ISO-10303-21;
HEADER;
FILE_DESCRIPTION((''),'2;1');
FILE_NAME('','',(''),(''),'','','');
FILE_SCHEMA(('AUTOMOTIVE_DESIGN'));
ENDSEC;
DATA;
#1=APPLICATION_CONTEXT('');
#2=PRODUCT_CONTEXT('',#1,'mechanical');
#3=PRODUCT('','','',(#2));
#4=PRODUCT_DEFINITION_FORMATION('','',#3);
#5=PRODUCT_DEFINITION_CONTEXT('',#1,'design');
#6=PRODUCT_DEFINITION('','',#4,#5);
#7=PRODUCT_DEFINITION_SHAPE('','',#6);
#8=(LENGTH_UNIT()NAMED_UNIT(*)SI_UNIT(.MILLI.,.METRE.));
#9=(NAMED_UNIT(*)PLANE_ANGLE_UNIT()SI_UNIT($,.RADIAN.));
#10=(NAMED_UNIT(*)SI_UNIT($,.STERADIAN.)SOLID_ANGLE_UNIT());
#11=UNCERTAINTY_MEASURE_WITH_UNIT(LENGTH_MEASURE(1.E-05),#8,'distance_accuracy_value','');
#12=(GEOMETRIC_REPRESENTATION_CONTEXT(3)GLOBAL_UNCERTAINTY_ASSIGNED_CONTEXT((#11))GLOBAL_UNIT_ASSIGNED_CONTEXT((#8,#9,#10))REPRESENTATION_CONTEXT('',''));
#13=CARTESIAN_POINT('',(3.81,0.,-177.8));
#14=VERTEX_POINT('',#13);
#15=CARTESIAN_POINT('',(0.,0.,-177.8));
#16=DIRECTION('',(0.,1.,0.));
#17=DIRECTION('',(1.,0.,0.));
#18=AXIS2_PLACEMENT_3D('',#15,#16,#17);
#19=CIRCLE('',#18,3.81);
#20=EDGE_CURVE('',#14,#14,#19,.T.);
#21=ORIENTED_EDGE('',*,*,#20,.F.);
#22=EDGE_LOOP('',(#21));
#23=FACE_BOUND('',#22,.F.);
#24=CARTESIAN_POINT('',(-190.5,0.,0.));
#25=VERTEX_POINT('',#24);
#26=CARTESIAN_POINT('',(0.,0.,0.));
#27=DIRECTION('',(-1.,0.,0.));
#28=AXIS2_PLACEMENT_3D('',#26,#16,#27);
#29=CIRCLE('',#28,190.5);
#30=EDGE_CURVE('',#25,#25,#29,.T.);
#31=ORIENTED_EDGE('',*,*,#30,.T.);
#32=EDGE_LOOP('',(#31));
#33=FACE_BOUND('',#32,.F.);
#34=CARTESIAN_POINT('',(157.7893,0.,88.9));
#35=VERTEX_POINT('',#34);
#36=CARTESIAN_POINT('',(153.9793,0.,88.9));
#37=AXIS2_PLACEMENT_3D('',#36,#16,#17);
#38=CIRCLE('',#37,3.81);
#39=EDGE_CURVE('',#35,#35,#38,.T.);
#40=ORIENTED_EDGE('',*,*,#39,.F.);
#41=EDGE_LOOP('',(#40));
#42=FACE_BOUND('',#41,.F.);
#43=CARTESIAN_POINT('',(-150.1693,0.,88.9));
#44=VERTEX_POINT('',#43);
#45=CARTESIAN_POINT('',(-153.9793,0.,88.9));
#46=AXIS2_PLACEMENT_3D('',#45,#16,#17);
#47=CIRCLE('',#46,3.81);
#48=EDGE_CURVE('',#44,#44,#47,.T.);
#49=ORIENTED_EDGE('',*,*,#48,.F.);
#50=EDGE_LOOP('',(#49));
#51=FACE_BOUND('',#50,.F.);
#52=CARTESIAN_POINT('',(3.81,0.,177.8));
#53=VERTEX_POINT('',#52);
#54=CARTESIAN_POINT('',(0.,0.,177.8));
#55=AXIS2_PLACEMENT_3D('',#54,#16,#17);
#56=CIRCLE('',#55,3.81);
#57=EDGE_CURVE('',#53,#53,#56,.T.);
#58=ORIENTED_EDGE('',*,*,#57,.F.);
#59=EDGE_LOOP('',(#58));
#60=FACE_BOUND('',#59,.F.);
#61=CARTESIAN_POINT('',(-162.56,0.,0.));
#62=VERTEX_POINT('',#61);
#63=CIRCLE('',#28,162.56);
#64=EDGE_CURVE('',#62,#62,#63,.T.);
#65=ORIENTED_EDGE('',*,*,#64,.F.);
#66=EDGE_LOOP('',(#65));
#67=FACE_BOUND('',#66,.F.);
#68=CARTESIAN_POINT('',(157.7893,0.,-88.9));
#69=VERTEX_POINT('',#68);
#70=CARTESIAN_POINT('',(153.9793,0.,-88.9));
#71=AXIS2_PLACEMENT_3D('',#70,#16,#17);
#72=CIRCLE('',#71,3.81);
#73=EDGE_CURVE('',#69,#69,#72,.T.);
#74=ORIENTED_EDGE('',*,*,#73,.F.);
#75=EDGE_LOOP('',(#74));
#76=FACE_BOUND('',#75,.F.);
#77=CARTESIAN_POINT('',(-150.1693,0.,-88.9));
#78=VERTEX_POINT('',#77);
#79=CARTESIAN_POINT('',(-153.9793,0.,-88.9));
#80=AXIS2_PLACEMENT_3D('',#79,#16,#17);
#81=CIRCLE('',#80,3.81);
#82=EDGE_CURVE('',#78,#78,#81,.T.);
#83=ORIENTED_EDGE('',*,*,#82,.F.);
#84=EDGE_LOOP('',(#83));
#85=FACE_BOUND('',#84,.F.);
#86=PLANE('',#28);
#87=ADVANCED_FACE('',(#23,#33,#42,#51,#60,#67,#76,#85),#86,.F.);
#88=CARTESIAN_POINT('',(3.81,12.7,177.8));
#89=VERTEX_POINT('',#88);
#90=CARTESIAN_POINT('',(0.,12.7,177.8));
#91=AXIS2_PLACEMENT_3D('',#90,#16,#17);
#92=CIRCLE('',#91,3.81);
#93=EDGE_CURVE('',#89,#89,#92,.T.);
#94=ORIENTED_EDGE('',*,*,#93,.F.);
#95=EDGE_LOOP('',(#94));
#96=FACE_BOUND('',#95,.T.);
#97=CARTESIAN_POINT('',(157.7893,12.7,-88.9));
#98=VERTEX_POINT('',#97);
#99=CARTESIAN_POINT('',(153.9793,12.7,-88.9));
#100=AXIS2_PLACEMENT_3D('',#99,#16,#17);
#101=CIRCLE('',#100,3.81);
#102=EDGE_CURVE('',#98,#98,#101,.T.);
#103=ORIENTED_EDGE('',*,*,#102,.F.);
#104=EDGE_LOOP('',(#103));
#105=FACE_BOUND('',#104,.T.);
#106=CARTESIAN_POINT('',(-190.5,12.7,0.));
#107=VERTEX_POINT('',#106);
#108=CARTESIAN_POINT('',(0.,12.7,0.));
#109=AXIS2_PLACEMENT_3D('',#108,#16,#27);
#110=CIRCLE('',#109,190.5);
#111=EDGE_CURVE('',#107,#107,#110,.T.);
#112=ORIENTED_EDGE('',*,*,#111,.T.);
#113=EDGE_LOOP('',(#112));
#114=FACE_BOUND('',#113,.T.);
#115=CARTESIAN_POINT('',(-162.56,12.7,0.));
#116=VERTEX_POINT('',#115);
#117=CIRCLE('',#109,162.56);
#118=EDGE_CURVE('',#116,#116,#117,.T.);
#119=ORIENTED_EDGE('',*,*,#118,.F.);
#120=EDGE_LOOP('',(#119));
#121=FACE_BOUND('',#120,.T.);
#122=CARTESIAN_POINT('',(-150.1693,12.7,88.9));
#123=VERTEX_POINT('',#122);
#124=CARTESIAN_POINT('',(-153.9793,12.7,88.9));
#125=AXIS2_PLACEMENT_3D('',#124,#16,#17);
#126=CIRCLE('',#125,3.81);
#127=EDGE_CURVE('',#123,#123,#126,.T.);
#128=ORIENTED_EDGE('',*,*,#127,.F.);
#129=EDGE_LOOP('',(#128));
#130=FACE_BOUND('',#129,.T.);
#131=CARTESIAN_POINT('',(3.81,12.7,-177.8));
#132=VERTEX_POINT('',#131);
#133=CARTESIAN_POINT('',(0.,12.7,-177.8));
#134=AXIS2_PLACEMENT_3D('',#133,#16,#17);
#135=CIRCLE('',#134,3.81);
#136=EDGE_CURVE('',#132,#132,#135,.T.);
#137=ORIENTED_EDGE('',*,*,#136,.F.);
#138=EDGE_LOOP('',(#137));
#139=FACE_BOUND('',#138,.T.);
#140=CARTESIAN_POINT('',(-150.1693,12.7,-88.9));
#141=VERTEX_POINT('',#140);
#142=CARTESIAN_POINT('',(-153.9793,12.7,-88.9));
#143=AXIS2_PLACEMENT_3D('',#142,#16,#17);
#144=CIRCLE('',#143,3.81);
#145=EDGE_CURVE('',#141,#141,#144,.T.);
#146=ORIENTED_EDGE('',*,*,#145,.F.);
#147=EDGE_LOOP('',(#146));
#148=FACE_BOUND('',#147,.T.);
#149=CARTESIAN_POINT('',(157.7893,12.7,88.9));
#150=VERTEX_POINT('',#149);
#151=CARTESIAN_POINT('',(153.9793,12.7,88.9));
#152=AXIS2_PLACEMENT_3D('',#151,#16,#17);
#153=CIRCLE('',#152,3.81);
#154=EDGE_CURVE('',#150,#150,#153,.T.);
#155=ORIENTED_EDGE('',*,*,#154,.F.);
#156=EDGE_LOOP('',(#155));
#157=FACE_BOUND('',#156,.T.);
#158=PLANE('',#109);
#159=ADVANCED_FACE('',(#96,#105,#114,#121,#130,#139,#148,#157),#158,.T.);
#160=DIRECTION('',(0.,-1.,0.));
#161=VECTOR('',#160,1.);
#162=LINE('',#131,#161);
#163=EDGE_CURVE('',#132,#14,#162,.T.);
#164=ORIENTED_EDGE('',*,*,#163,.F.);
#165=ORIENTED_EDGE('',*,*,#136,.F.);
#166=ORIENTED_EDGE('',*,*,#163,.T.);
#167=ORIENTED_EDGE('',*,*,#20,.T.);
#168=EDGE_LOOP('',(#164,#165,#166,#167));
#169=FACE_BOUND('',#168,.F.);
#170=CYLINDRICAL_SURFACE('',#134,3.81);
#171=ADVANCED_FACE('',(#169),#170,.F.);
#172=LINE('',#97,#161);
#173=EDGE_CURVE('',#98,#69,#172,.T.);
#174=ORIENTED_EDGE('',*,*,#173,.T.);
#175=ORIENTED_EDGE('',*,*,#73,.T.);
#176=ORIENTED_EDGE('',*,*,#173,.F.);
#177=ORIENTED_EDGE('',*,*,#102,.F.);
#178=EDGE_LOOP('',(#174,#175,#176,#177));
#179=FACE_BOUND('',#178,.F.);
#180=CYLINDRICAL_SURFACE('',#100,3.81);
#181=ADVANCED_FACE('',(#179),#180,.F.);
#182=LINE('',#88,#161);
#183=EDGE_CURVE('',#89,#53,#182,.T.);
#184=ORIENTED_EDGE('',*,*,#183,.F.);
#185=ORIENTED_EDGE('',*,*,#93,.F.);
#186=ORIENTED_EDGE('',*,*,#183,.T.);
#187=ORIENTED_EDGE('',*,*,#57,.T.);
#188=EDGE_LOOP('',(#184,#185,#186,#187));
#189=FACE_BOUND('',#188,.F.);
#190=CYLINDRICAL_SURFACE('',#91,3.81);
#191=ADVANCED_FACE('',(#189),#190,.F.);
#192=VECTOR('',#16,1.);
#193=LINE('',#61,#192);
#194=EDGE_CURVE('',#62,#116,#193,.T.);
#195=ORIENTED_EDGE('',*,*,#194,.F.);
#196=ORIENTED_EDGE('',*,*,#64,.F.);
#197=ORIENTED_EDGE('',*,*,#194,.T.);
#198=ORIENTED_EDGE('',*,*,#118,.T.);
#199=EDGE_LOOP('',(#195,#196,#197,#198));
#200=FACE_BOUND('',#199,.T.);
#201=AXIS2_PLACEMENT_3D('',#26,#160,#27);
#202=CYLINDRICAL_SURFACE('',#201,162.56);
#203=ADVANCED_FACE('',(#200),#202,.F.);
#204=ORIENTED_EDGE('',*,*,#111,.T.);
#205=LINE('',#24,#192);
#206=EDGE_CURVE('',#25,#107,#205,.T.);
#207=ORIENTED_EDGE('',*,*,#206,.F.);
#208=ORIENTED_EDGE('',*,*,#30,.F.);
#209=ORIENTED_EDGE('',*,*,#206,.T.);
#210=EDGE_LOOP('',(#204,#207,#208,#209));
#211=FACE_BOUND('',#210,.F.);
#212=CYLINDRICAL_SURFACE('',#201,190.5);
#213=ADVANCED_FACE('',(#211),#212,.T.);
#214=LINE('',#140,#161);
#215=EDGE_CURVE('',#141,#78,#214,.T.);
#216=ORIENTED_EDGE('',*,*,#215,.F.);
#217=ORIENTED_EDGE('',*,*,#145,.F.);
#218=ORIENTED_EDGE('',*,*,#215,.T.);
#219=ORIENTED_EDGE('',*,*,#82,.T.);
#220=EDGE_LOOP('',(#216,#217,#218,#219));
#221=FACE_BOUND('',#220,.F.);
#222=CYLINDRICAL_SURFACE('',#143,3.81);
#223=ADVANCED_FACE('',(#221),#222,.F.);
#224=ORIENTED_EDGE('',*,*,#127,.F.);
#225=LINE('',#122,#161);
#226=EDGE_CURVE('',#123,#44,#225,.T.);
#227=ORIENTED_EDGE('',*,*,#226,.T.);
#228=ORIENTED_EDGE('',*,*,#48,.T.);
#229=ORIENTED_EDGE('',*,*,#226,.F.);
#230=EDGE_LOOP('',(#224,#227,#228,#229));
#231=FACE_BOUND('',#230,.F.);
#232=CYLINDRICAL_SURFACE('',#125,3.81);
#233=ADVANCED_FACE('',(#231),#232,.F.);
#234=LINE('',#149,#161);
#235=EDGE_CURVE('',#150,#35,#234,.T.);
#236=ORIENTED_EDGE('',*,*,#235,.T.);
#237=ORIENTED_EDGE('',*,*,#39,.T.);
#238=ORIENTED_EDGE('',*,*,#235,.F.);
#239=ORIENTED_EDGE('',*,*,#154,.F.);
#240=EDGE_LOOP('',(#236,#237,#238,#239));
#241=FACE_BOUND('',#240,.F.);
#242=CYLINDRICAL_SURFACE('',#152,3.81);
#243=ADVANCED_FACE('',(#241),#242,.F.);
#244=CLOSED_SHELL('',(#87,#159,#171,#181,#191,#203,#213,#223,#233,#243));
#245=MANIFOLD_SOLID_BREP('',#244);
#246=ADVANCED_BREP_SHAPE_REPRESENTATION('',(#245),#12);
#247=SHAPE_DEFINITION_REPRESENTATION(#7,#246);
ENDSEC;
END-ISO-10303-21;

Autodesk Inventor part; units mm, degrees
ref_plane "YZ Plane" through (0, 0, 0) normal (1, 0, 0) x (0, 1, 0)
ref_plane "XZ Plane" through (0, 0, 0) normal (0, 1, 0) x (-1, 0, 0)
ref_plane "XY Plane" through (0, 0, 0) normal (0, 0, 1) x (1, 0, 0)
sketch "Sketch1" plane through (0, 0, 0) normal (0, 1, 0) x (-1, 0, 0)
  circle A0 centre (0, 0) radius 162.56
  circle A1 centre (0, 0) radius 190.5
  dimension "d0" = 325.12
  dimension "d1" = 381
extrude "Extrusion1" add sketch "Sketch1" along normal blind 12.7
sketch "Sketch2" plane through (0, 12.7, 0) normal (0, 1, 0) x (1, 0, 0)
  line L0 (0, 0) -> (0, -177.8) construction
  line L1 (0, 0) -> (177.8, 0) construction
  circle A0 centre (0, -177.8) radius 3.81
  circle A1 centre (153.9793, -88.9) radius 3.81
  circle A2 centre (153.9793, 88.9) radius 3.81
  circle A3 centre (0, 177.8) radius 3.81
  circle A4 centre (-153.9793, 88.9) radius 3.81
  circle A5 centre (-153.9793, -88.9) radius 3.81
  dimension "d6" = 177.8
  dimension "d7" = 90
  dimension "d8" = 7.62
  dimension "d9" = 360
extrude "Extrusion2" cut sketch "Sketch2" against normal through all
properties part number "Turntable Sheath" material "PVC-Piping"
